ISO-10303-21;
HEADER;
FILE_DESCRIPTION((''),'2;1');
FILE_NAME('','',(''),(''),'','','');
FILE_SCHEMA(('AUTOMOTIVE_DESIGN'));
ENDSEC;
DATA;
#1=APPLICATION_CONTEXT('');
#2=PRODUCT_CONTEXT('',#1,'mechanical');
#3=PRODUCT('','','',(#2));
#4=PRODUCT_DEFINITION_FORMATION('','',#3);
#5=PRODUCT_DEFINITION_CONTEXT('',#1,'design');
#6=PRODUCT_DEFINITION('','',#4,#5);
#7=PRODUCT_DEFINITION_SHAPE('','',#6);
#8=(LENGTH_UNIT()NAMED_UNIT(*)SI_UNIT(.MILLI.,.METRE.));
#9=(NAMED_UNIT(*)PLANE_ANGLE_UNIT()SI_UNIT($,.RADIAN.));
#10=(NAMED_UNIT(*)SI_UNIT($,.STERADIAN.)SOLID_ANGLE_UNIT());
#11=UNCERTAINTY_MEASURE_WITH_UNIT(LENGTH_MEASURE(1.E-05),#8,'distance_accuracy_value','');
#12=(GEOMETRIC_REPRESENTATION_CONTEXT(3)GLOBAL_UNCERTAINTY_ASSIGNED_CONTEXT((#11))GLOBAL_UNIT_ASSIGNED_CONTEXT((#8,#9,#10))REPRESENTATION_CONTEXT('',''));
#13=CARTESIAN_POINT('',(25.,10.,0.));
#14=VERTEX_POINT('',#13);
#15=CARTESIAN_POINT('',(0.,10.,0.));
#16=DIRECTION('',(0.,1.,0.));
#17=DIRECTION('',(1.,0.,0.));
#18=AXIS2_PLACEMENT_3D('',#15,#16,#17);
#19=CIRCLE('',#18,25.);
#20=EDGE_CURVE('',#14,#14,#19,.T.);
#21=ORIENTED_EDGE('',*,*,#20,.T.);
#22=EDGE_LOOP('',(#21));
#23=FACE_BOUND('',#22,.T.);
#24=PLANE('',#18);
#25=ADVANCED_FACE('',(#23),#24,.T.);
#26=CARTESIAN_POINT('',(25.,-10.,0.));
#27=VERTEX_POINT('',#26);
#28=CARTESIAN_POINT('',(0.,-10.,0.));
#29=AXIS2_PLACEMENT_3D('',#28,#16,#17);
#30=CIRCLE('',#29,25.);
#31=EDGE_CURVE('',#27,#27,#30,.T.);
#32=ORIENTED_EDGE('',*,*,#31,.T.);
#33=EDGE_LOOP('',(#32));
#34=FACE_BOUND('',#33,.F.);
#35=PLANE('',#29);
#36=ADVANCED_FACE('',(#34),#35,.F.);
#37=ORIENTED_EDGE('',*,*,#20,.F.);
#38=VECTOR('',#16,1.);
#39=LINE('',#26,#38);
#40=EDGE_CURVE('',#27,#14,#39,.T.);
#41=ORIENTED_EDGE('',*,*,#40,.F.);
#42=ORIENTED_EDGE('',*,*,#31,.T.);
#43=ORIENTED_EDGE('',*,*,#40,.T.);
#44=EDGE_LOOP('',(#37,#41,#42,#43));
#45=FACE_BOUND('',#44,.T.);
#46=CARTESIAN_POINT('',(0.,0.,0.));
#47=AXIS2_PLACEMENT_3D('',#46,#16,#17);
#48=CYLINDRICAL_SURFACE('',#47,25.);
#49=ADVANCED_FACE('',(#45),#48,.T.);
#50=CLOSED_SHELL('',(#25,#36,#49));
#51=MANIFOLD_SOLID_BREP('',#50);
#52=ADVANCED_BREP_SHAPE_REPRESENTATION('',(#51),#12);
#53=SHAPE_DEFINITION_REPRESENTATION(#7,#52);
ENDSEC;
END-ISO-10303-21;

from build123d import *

# Parameters (mm, degrees)
ESQUISSE1_R        = 25
BOSS_EXTRU_1_DEPTH = 10


with BuildPart() as part:
    # Esquisse1 → Boss.-Extru.1 (new body, symmetric)
    with BuildSketch(Plane(origin=(0, 0, 0), x_dir=(1, 0, 0), z_dir=(0, 1, 0))):
        Circle(ESQUISSE1_R)
    extrude(amount=BOSS_EXTRU_1_DEPTH, both=True)


solid = part.part
